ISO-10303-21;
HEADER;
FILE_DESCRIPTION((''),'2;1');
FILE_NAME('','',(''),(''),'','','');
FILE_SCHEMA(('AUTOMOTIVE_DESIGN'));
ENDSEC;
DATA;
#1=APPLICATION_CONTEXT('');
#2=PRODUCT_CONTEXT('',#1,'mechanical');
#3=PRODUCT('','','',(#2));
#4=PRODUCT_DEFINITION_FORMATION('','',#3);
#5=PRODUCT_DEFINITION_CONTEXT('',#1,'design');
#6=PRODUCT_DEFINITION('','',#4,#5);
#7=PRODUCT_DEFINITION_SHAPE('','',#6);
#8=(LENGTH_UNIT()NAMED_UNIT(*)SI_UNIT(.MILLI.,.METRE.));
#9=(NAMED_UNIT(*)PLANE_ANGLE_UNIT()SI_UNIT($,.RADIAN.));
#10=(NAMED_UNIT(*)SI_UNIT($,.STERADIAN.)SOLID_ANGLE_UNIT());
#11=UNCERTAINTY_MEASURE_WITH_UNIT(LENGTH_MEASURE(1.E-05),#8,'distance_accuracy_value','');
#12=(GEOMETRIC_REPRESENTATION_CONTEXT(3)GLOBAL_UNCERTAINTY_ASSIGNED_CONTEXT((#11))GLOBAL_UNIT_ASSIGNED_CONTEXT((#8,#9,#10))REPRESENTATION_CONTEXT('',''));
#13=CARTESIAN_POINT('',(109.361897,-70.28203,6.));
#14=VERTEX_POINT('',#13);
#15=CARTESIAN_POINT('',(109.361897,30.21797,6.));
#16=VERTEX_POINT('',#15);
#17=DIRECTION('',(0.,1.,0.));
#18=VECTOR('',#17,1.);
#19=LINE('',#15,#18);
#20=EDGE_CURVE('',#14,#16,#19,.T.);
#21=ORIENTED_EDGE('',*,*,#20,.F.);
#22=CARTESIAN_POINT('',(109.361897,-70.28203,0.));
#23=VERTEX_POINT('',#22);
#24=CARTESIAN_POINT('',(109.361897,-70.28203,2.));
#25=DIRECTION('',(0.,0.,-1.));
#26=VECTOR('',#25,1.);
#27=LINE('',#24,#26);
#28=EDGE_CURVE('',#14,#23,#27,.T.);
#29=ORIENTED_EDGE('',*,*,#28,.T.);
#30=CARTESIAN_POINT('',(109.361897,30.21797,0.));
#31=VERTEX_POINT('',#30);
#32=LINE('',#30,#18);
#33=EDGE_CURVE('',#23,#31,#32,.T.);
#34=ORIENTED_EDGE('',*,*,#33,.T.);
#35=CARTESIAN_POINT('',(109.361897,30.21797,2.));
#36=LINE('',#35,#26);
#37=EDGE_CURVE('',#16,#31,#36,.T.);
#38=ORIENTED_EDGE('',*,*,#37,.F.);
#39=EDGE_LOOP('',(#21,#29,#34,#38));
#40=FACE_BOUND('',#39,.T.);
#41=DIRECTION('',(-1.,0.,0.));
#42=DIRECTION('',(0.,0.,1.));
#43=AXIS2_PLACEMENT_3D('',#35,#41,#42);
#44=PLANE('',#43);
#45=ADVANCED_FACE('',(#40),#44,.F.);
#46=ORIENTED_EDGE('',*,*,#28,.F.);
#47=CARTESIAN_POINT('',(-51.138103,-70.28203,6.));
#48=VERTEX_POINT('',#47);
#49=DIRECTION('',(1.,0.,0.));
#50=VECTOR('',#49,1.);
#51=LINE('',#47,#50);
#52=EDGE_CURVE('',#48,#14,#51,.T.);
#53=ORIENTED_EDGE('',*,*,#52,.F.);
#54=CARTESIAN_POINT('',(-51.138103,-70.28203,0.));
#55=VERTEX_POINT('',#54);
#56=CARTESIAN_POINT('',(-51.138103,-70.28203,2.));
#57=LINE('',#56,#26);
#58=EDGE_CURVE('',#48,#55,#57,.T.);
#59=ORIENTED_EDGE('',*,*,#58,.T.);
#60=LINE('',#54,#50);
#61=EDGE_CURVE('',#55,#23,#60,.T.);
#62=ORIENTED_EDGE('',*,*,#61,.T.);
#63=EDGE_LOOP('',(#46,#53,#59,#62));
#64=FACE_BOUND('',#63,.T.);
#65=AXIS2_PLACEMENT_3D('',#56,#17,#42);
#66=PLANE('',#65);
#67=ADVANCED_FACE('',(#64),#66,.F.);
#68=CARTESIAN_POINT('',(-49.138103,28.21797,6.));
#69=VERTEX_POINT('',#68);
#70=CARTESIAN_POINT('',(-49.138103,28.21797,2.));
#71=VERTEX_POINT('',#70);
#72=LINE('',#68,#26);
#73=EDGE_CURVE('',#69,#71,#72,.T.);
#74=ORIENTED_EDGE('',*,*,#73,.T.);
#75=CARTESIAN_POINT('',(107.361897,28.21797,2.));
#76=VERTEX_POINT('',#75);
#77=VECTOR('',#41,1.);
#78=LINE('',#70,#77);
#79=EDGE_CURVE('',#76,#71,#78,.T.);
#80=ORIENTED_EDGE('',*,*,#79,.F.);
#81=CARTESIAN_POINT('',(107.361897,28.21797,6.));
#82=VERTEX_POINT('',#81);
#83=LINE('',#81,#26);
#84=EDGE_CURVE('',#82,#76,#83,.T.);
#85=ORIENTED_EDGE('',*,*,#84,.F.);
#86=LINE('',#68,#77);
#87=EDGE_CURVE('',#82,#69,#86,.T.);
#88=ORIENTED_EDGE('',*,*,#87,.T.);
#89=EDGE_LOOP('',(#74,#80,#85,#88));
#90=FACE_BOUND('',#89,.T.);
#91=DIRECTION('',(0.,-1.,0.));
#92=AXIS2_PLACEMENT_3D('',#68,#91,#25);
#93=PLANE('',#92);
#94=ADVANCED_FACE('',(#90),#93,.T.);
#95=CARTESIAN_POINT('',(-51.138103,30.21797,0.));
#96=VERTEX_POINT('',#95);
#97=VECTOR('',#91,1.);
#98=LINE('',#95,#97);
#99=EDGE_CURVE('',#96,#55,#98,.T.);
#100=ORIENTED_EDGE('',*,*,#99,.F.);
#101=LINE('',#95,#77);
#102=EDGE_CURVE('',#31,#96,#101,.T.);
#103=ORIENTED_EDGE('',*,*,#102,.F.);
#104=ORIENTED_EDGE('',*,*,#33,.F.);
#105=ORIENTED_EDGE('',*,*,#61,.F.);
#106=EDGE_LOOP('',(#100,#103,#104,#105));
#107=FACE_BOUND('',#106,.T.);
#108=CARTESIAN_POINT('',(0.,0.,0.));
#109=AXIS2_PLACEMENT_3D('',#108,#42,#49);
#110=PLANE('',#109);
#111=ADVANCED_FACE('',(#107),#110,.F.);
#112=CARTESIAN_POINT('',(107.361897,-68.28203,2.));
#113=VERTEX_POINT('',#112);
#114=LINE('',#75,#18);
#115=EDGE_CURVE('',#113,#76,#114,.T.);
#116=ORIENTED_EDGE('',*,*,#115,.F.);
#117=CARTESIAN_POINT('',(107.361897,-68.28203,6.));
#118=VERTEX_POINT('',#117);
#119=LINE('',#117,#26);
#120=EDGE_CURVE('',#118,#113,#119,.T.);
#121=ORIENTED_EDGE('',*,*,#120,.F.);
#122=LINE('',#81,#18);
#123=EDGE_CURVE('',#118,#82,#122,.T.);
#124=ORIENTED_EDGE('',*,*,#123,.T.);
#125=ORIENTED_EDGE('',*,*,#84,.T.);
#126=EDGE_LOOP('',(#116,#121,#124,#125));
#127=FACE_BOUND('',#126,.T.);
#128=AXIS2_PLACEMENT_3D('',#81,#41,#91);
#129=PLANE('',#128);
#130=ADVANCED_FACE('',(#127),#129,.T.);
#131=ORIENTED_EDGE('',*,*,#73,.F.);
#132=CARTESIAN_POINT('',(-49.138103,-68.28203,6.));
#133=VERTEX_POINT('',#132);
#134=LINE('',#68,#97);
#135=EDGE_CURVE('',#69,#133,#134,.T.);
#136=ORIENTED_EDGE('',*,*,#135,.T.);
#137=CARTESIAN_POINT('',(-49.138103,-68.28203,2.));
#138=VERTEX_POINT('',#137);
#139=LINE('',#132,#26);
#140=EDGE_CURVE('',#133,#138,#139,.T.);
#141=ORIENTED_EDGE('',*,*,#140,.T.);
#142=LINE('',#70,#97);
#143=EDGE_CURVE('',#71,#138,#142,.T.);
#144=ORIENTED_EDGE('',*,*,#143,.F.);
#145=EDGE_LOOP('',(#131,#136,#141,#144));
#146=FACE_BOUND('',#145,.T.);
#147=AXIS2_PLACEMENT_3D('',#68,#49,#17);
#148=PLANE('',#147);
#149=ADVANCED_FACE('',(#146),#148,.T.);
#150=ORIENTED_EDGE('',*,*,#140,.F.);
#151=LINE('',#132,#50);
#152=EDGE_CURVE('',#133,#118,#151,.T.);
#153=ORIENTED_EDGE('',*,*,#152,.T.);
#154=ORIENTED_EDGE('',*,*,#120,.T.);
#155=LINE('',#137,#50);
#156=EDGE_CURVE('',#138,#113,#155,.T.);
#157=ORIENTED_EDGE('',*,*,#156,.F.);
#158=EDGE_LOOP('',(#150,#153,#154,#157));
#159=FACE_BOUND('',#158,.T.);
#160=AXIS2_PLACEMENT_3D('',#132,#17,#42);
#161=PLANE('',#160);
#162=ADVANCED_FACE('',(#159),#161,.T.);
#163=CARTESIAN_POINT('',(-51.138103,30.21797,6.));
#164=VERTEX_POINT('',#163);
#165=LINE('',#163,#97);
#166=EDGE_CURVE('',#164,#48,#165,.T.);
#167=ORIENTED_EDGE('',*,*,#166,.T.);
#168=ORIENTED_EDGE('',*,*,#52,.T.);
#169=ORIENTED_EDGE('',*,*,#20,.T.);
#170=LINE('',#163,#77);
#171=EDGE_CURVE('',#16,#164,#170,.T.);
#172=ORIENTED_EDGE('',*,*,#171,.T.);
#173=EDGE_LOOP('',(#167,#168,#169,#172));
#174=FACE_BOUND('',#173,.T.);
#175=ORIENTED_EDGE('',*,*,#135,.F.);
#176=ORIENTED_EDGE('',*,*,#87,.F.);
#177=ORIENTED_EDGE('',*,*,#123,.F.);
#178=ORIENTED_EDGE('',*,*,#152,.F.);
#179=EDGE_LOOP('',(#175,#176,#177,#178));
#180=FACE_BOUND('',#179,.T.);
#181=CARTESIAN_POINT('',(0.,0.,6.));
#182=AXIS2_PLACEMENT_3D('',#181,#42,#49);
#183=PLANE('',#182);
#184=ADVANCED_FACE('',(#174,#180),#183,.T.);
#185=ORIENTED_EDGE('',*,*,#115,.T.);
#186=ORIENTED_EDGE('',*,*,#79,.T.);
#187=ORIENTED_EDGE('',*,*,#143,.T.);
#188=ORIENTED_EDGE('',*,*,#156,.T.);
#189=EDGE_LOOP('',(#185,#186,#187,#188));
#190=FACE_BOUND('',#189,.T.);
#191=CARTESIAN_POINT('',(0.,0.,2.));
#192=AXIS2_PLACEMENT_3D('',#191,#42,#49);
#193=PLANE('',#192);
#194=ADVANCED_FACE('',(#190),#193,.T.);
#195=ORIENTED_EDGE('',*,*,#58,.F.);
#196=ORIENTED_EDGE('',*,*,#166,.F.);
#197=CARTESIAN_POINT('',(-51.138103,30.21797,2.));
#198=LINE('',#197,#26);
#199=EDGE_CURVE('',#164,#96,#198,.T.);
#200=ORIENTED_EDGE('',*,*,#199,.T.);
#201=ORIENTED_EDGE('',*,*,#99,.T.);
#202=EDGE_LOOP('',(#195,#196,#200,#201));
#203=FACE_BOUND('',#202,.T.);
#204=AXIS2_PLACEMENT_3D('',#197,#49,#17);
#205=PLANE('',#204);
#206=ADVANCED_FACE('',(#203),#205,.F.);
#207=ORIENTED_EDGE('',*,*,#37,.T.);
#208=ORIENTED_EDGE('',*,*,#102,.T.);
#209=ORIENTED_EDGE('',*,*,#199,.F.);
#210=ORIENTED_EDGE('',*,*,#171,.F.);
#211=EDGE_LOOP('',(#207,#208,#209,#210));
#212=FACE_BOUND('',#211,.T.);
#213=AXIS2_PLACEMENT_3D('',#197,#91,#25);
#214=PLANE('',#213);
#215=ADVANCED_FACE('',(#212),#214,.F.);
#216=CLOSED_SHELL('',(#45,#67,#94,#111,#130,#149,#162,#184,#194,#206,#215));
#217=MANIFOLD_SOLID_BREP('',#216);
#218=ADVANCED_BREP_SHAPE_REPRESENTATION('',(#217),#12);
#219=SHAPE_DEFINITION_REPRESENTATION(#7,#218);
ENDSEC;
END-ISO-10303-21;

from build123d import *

# Parameters (mm, degrees)
ESQUISSE1_W        = 160.5
ESQUISSE1_H        = 100.5
BOSS_EXTRU_1_DEPTH = 2
ESQUISSE2_W        = 160.5
ESQUISSE2_H        = 100.5
ESQUISSE2_W_2      = 156.5
ESQUISSE2_H_2      = 96.5
BOSS_EXTRU_2_DEPTH = 4


with BuildPart() as part:
    # Esquisse1 → Boss.-Extru.1 (new body)
    with BuildSketch(Plane.XY):
        with Locations((29.111896839, -20.03202995)):
            Rectangle(ESQUISSE1_W, ESQUISSE1_H)
    extrude(amount=BOSS_EXTRU_1_DEPTH)

    # Esquisse2 → Boss.-Extru.2 (add)
    with BuildSketch(Plane.XY.offset(2)):
        with Locations((29.111896839, -20.03202995)):
            Rectangle(ESQUISSE2_W, ESQUISSE2_H)
        with Locations((29.111896839, -20.03202995)):
            Rectangle(ESQUISSE2_W_2, ESQUISSE2_H_2, mode=Mode.SUBTRACT)
    extrude(amount=BOSS_EXTRU_2_DEPTH)


solid = part.part
